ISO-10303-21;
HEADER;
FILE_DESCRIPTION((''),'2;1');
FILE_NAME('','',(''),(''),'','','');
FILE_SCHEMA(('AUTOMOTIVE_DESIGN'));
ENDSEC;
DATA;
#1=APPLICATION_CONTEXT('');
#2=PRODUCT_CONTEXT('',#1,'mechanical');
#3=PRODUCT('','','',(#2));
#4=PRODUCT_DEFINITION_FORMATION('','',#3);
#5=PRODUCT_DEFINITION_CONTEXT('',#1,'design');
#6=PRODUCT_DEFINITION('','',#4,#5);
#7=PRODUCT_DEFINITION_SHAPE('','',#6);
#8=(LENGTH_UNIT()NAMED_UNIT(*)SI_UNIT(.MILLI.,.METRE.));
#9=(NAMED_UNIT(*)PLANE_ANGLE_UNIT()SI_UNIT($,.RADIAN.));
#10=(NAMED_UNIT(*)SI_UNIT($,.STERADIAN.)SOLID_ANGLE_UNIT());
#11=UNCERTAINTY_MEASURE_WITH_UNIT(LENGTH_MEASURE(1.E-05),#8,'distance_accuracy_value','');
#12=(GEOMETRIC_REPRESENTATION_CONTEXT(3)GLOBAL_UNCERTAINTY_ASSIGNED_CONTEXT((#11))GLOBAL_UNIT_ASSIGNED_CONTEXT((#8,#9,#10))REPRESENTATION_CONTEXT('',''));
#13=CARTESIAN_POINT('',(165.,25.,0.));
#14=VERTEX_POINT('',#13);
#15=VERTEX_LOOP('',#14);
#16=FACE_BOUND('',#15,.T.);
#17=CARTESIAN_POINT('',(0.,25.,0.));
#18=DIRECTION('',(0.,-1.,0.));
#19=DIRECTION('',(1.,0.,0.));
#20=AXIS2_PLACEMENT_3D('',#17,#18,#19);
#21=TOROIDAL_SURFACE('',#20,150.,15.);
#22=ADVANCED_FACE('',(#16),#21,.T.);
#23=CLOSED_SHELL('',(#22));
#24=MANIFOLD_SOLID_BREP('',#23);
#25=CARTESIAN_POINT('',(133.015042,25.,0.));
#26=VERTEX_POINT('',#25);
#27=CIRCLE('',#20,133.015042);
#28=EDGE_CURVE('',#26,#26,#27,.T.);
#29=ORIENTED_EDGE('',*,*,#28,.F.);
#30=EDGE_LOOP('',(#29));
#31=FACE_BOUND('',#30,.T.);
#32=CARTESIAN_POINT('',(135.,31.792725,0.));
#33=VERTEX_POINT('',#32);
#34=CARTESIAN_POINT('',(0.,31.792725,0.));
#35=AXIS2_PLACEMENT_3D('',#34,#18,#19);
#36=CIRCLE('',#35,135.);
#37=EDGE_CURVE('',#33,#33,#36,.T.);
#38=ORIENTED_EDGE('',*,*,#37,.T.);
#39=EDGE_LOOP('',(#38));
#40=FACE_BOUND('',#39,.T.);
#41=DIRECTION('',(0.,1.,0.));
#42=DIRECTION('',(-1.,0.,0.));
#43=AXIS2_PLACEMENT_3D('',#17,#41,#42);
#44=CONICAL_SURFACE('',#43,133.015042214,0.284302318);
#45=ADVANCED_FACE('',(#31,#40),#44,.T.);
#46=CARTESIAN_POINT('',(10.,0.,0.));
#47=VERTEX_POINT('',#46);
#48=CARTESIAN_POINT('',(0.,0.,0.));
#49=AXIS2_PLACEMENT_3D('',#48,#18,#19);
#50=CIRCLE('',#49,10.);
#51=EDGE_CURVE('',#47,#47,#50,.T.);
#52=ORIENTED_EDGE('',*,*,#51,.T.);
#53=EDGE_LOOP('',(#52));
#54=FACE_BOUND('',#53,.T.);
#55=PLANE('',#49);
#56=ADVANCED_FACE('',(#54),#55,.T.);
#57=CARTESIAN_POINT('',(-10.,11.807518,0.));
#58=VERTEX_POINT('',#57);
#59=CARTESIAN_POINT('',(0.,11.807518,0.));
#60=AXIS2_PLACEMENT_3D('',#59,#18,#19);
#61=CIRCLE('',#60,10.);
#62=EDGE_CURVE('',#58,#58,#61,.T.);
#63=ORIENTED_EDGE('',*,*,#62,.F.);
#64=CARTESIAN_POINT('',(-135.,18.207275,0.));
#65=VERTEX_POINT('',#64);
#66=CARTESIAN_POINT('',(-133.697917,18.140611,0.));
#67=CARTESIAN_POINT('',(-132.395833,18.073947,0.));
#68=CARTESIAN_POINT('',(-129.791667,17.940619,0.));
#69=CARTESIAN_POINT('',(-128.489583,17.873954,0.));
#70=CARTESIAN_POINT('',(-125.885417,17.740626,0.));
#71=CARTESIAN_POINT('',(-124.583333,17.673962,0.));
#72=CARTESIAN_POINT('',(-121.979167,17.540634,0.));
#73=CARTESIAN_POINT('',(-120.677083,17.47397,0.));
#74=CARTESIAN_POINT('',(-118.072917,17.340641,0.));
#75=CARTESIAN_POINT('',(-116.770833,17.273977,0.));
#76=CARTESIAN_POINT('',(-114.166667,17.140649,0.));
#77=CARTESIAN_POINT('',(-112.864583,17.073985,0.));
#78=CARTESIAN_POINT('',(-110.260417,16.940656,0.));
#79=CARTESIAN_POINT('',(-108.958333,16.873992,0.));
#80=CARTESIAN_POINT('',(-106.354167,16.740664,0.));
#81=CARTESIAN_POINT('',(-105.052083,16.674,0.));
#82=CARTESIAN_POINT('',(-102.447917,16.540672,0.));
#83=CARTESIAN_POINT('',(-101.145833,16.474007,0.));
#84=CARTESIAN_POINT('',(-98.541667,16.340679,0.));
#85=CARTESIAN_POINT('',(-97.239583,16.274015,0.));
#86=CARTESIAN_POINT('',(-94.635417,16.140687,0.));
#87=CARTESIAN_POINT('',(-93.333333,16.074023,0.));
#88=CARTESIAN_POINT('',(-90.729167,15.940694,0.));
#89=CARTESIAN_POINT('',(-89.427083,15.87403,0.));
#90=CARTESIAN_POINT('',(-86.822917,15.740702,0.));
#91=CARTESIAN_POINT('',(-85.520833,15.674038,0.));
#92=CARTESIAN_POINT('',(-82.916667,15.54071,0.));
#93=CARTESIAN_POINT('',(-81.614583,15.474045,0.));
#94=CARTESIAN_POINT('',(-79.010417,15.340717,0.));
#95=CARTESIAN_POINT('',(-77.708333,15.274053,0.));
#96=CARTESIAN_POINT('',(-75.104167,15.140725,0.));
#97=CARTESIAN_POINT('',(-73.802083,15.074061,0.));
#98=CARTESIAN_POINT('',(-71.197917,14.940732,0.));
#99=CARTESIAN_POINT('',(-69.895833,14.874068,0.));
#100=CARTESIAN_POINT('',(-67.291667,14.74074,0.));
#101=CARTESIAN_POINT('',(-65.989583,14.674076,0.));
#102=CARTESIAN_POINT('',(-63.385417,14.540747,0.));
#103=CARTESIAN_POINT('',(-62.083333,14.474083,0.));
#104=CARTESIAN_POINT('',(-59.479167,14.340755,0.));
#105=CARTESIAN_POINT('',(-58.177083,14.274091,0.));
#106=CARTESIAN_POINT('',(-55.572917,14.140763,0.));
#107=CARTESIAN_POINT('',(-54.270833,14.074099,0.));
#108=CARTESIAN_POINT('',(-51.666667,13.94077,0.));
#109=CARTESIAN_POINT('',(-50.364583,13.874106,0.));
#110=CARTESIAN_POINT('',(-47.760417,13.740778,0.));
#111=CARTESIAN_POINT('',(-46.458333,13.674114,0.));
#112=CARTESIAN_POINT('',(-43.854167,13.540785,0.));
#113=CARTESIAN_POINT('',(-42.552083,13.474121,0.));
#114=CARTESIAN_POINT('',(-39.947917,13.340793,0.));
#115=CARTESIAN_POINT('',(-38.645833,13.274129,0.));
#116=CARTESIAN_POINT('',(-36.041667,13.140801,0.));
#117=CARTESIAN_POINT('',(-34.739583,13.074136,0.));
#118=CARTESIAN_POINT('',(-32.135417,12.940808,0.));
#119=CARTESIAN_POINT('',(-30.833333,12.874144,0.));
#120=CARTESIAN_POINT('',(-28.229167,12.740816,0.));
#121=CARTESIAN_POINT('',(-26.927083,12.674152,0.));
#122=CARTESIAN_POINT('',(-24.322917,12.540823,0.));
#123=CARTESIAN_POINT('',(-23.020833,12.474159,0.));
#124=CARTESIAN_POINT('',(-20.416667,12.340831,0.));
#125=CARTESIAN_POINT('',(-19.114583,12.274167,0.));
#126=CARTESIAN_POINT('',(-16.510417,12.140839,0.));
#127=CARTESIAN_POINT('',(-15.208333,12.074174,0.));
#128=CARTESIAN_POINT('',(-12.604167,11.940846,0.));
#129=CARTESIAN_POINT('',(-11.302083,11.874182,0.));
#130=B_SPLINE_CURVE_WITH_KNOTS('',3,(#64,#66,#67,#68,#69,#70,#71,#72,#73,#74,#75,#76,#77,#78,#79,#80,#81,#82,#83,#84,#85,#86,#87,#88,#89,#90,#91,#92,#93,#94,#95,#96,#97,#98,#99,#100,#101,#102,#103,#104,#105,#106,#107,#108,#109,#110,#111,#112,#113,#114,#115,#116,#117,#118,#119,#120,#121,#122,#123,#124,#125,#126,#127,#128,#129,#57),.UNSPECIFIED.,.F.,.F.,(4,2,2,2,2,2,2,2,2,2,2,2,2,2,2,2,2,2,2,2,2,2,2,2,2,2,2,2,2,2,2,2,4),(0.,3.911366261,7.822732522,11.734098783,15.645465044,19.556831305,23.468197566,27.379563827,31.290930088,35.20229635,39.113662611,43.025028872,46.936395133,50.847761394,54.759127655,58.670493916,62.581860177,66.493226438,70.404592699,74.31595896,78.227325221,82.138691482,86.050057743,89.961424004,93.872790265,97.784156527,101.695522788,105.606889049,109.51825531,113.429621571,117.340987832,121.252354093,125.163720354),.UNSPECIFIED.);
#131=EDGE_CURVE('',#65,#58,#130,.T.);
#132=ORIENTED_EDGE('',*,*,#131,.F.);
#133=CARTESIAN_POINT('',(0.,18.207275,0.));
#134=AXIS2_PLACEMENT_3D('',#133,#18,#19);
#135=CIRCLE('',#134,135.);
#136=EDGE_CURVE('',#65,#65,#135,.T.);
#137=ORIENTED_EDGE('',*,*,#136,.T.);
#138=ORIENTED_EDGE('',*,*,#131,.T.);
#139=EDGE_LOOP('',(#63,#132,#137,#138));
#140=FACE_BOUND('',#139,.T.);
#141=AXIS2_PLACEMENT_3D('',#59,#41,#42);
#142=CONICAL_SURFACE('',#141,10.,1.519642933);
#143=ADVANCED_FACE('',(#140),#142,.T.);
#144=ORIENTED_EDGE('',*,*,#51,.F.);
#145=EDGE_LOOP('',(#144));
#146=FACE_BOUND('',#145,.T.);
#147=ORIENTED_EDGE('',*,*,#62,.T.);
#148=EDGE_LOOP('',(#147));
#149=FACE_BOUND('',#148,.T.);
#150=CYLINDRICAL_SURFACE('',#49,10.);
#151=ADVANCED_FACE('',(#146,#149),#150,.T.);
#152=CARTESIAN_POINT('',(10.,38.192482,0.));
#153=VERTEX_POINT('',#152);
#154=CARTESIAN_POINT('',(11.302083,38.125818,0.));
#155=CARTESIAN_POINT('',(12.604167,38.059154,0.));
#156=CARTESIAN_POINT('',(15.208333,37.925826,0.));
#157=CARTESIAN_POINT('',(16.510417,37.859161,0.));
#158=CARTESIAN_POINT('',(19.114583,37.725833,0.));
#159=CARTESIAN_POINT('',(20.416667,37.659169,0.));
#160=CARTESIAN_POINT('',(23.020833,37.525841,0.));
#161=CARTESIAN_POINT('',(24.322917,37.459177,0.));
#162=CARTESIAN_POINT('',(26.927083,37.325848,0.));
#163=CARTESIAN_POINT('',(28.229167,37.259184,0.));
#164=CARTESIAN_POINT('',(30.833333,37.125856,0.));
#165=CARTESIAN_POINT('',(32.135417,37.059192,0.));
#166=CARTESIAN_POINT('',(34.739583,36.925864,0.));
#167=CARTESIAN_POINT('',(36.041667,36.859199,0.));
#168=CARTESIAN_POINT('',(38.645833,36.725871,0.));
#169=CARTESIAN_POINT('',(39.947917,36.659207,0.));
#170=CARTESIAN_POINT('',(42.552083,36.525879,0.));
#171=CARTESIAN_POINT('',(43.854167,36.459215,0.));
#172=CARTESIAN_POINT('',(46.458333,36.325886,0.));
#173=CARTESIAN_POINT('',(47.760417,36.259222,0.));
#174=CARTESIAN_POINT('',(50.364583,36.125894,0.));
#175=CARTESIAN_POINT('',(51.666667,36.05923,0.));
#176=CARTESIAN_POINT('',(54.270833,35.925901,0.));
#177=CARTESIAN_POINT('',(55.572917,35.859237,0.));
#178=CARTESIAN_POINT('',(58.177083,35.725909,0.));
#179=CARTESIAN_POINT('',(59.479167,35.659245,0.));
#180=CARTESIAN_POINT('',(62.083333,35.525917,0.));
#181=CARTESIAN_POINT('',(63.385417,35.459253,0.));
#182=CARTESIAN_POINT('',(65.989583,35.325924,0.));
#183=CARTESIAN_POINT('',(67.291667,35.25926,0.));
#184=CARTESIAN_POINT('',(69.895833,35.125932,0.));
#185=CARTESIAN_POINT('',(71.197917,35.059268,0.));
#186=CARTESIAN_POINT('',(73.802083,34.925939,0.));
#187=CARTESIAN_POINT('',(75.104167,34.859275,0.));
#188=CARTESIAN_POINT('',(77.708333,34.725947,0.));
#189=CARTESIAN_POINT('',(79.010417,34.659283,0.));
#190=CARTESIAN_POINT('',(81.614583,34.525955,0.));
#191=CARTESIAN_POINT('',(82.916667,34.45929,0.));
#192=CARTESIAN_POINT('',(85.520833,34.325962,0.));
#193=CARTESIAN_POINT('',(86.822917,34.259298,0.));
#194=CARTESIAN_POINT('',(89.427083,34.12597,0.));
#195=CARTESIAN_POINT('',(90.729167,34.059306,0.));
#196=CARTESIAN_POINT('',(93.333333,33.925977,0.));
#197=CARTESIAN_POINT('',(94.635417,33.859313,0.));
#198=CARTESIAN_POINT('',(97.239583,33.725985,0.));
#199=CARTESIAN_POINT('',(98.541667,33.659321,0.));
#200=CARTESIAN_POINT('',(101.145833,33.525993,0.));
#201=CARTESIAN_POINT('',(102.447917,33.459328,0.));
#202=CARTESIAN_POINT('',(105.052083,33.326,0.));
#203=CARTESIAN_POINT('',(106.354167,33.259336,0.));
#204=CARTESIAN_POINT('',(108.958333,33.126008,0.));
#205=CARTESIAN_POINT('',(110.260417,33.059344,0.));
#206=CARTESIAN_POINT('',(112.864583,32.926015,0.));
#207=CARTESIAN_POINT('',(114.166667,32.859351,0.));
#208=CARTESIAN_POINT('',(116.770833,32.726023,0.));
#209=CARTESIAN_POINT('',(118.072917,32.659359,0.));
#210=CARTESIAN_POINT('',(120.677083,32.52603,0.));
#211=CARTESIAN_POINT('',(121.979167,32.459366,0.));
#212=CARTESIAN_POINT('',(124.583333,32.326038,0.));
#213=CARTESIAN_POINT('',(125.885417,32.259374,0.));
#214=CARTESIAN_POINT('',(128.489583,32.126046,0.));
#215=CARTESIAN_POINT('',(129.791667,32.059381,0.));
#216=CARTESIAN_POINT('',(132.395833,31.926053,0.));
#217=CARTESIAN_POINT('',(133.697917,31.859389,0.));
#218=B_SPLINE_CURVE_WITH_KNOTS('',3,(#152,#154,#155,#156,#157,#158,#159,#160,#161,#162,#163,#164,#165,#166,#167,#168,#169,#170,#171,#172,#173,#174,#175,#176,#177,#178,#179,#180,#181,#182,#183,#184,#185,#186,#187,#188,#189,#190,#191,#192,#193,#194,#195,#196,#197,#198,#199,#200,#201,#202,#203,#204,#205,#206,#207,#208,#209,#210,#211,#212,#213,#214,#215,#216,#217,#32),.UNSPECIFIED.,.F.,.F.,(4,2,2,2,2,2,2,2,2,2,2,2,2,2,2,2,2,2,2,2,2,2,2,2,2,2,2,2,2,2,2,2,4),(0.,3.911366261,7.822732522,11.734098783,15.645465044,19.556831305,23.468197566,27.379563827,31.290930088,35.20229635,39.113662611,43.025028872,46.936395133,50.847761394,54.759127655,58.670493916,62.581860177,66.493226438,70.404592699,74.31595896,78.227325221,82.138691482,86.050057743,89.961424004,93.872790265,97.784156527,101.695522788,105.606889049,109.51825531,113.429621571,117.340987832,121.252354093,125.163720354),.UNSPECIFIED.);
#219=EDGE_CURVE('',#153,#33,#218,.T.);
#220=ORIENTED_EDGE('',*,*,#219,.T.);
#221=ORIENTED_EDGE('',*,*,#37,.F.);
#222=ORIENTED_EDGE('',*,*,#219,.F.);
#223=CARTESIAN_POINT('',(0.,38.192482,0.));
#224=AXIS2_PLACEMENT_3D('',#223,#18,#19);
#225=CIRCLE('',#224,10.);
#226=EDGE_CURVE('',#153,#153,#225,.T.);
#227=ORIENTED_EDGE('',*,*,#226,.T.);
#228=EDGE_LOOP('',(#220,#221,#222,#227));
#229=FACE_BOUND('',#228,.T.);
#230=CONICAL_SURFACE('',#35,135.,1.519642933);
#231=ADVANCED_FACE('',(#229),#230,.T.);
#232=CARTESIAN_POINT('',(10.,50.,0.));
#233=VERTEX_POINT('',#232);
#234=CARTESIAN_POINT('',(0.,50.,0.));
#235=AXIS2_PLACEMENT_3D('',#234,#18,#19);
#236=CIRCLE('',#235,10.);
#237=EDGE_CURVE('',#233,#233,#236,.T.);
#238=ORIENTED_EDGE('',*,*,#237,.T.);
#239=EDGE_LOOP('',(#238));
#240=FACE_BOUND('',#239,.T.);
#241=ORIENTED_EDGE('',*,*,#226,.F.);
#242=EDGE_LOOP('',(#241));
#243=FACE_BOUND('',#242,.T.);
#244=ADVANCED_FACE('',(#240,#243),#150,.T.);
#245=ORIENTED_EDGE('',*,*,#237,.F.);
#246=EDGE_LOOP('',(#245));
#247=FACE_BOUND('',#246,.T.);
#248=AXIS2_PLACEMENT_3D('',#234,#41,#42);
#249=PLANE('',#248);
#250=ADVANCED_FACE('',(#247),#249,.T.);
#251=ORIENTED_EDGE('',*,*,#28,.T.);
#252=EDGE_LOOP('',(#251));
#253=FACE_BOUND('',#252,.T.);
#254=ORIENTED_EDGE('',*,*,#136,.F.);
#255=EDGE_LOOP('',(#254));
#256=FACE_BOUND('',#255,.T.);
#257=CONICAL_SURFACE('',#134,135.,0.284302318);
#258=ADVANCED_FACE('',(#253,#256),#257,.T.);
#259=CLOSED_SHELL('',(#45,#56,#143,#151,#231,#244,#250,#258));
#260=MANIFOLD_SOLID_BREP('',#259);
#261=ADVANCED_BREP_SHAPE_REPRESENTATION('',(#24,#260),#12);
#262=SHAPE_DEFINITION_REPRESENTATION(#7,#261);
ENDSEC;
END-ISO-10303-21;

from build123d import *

# Parameters (mm, degrees)
ESQUISSE1_R = 15


with BuildPart() as part:
    # Esquisse1 → Révolution1 (revolve)
    with BuildSketch(Plane.XY):
        with Locations((150, 25)):
            Circle(ESQUISSE1_R)
        Polygon((0, 50), (10, 50), (10, 38.192482169), (135, 31.79272492), (133.015042214, 25), (135, 18.20727508), (10, 11.807517831), (10, 0), (0, 0), align=None)
    revolve(axis=Axis((0, 0, 0), (0, 1, 0)))


solid = part.part
